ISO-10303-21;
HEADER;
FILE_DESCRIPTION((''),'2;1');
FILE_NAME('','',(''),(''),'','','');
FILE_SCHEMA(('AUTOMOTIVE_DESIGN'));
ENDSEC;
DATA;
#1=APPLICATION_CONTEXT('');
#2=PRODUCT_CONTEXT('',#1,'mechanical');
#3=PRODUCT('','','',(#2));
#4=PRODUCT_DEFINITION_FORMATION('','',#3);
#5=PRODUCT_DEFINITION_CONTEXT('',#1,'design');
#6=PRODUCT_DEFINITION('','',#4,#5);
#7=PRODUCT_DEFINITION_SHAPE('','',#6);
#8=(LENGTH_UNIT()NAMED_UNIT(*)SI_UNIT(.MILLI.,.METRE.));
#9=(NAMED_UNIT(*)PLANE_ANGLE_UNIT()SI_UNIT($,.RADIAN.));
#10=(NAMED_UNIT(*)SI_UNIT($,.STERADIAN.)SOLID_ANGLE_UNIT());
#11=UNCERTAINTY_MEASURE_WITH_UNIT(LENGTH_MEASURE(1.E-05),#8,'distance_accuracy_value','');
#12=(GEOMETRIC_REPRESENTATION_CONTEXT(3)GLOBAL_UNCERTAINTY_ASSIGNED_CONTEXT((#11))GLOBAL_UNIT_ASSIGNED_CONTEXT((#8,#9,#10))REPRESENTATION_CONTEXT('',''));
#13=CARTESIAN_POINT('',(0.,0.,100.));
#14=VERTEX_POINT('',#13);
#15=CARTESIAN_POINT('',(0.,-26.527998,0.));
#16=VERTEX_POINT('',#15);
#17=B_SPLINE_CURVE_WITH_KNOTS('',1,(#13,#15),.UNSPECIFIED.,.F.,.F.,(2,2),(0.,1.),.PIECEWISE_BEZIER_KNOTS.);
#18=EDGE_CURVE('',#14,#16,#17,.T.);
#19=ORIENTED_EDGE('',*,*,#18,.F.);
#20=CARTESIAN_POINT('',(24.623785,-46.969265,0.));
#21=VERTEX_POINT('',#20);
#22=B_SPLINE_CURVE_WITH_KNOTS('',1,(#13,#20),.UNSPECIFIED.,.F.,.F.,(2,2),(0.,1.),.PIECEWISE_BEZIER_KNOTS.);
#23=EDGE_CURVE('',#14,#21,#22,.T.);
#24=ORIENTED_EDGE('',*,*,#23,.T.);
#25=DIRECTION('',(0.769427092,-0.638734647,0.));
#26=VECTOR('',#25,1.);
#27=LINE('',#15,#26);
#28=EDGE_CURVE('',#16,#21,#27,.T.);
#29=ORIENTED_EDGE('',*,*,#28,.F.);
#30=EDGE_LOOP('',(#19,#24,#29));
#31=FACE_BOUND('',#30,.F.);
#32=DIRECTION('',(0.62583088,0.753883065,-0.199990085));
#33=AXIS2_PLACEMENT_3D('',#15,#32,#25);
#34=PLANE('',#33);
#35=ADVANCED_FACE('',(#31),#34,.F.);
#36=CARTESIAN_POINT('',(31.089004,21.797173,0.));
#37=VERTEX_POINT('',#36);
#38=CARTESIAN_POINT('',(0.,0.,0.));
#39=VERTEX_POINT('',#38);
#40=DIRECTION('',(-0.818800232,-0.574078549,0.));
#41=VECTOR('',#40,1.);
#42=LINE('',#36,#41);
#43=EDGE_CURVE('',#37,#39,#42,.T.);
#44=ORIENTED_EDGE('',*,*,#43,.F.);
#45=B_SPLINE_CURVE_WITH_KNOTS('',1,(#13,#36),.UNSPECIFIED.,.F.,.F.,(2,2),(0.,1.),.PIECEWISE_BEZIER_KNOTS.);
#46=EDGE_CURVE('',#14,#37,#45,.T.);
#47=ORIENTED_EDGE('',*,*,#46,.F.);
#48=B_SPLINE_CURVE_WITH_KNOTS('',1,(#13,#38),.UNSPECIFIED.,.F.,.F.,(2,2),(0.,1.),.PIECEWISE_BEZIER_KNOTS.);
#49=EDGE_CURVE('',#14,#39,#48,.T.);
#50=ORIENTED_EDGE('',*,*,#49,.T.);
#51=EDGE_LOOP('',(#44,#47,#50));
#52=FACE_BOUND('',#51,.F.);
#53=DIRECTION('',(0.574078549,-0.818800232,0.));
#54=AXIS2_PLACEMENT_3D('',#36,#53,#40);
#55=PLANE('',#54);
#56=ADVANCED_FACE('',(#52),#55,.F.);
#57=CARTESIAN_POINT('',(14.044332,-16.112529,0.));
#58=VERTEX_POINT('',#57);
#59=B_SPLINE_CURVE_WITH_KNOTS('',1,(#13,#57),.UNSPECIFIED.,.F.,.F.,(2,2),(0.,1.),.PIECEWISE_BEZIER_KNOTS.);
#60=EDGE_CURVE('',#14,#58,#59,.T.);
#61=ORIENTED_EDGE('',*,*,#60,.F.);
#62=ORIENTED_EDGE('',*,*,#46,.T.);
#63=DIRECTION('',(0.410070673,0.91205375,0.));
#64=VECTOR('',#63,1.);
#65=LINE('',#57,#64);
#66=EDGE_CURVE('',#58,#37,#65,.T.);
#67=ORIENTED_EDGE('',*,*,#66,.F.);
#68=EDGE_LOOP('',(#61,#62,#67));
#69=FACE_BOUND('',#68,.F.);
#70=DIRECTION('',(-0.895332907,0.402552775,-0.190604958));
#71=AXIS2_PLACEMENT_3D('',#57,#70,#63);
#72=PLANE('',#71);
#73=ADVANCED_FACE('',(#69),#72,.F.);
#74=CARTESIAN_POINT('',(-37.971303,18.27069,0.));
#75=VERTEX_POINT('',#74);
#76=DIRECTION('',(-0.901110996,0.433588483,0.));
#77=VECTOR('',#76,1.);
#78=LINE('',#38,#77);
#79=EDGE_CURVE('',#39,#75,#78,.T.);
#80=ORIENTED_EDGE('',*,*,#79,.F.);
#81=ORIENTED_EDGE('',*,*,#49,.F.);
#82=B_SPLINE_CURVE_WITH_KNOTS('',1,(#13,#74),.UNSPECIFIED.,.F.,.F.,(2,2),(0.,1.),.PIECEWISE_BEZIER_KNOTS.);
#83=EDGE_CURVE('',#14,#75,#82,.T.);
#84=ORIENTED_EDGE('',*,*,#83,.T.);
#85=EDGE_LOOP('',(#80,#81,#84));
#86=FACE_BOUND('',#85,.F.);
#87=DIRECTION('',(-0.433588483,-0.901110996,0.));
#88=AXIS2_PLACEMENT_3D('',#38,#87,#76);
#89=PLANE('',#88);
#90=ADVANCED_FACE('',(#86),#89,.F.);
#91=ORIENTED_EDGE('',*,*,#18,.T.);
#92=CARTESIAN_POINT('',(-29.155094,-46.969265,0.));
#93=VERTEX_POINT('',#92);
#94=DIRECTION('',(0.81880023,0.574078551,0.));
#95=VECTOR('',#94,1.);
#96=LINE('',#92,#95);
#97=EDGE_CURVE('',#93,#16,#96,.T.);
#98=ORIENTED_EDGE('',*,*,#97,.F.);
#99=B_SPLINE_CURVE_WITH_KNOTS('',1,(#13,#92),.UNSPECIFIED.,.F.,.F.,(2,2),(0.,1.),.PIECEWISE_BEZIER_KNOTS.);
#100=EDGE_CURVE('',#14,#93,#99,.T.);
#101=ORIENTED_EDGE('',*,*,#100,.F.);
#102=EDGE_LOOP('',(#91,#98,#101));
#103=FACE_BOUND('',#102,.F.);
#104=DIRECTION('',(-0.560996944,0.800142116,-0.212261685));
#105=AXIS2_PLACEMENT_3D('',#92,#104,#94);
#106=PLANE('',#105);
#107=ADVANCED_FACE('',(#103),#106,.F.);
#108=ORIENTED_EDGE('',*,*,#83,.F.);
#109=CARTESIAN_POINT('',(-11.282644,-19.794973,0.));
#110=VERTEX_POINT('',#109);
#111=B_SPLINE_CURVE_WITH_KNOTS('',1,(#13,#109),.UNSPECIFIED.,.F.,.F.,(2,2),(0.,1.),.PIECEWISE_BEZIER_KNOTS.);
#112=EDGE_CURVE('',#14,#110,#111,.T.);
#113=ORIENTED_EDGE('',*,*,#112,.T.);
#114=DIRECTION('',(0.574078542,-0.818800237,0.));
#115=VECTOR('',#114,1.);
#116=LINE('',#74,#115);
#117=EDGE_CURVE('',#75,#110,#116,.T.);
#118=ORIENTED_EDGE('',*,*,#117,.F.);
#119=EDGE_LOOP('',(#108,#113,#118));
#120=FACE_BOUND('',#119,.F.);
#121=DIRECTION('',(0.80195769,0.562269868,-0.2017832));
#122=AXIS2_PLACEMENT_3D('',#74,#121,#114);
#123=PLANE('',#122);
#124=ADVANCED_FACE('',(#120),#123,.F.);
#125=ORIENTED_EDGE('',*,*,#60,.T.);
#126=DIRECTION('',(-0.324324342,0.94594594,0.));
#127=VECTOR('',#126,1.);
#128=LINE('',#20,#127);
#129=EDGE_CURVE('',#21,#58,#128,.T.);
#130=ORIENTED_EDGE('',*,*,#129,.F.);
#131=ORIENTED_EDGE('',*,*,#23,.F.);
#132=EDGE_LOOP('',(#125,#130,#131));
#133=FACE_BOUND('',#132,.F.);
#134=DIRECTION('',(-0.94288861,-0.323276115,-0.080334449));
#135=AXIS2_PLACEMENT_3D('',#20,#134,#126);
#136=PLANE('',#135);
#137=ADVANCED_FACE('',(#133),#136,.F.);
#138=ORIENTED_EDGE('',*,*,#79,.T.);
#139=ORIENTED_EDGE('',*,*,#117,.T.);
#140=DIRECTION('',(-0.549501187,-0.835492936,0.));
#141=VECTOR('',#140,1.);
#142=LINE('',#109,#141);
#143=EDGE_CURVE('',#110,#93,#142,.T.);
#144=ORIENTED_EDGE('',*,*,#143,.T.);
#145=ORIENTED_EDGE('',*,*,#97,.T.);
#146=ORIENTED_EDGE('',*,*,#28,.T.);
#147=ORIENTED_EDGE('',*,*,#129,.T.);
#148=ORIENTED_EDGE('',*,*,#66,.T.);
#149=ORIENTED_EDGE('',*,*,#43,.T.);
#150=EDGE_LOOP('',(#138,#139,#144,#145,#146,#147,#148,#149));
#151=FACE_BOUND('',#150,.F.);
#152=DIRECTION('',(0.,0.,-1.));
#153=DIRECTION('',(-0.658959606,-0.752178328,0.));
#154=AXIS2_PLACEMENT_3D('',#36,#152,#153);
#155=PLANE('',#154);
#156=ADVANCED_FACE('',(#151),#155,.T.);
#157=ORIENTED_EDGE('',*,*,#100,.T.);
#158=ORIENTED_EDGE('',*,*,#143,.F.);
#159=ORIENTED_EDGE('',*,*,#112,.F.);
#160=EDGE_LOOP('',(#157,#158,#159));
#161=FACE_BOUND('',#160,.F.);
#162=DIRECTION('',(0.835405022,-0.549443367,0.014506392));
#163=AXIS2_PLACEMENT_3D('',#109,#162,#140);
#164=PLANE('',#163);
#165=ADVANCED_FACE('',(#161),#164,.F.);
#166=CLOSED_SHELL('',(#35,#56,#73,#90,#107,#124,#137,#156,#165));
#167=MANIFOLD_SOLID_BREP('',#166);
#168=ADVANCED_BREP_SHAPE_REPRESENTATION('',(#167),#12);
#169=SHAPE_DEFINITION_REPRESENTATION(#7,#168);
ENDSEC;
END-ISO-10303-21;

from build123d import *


with BuildPart() as f3:
    # F0 (on Top) → F3 section 0
    with BuildSketch(Plane.XY, mode=Mode.PRIVATE) as f3_s0:
        Polygon((31.089004, 21.797173), (0, 0), (-37.971303, 18.27069), (-11.282644, -19.794973), (-29.155094, -46.969265), (0, -26.527998), (24.623785, -46.969265), (14.044332, -16.112529), align=None)
    loft([Vertex(0, 0, 100), f3_s0.sketch])


solid = f3.part
